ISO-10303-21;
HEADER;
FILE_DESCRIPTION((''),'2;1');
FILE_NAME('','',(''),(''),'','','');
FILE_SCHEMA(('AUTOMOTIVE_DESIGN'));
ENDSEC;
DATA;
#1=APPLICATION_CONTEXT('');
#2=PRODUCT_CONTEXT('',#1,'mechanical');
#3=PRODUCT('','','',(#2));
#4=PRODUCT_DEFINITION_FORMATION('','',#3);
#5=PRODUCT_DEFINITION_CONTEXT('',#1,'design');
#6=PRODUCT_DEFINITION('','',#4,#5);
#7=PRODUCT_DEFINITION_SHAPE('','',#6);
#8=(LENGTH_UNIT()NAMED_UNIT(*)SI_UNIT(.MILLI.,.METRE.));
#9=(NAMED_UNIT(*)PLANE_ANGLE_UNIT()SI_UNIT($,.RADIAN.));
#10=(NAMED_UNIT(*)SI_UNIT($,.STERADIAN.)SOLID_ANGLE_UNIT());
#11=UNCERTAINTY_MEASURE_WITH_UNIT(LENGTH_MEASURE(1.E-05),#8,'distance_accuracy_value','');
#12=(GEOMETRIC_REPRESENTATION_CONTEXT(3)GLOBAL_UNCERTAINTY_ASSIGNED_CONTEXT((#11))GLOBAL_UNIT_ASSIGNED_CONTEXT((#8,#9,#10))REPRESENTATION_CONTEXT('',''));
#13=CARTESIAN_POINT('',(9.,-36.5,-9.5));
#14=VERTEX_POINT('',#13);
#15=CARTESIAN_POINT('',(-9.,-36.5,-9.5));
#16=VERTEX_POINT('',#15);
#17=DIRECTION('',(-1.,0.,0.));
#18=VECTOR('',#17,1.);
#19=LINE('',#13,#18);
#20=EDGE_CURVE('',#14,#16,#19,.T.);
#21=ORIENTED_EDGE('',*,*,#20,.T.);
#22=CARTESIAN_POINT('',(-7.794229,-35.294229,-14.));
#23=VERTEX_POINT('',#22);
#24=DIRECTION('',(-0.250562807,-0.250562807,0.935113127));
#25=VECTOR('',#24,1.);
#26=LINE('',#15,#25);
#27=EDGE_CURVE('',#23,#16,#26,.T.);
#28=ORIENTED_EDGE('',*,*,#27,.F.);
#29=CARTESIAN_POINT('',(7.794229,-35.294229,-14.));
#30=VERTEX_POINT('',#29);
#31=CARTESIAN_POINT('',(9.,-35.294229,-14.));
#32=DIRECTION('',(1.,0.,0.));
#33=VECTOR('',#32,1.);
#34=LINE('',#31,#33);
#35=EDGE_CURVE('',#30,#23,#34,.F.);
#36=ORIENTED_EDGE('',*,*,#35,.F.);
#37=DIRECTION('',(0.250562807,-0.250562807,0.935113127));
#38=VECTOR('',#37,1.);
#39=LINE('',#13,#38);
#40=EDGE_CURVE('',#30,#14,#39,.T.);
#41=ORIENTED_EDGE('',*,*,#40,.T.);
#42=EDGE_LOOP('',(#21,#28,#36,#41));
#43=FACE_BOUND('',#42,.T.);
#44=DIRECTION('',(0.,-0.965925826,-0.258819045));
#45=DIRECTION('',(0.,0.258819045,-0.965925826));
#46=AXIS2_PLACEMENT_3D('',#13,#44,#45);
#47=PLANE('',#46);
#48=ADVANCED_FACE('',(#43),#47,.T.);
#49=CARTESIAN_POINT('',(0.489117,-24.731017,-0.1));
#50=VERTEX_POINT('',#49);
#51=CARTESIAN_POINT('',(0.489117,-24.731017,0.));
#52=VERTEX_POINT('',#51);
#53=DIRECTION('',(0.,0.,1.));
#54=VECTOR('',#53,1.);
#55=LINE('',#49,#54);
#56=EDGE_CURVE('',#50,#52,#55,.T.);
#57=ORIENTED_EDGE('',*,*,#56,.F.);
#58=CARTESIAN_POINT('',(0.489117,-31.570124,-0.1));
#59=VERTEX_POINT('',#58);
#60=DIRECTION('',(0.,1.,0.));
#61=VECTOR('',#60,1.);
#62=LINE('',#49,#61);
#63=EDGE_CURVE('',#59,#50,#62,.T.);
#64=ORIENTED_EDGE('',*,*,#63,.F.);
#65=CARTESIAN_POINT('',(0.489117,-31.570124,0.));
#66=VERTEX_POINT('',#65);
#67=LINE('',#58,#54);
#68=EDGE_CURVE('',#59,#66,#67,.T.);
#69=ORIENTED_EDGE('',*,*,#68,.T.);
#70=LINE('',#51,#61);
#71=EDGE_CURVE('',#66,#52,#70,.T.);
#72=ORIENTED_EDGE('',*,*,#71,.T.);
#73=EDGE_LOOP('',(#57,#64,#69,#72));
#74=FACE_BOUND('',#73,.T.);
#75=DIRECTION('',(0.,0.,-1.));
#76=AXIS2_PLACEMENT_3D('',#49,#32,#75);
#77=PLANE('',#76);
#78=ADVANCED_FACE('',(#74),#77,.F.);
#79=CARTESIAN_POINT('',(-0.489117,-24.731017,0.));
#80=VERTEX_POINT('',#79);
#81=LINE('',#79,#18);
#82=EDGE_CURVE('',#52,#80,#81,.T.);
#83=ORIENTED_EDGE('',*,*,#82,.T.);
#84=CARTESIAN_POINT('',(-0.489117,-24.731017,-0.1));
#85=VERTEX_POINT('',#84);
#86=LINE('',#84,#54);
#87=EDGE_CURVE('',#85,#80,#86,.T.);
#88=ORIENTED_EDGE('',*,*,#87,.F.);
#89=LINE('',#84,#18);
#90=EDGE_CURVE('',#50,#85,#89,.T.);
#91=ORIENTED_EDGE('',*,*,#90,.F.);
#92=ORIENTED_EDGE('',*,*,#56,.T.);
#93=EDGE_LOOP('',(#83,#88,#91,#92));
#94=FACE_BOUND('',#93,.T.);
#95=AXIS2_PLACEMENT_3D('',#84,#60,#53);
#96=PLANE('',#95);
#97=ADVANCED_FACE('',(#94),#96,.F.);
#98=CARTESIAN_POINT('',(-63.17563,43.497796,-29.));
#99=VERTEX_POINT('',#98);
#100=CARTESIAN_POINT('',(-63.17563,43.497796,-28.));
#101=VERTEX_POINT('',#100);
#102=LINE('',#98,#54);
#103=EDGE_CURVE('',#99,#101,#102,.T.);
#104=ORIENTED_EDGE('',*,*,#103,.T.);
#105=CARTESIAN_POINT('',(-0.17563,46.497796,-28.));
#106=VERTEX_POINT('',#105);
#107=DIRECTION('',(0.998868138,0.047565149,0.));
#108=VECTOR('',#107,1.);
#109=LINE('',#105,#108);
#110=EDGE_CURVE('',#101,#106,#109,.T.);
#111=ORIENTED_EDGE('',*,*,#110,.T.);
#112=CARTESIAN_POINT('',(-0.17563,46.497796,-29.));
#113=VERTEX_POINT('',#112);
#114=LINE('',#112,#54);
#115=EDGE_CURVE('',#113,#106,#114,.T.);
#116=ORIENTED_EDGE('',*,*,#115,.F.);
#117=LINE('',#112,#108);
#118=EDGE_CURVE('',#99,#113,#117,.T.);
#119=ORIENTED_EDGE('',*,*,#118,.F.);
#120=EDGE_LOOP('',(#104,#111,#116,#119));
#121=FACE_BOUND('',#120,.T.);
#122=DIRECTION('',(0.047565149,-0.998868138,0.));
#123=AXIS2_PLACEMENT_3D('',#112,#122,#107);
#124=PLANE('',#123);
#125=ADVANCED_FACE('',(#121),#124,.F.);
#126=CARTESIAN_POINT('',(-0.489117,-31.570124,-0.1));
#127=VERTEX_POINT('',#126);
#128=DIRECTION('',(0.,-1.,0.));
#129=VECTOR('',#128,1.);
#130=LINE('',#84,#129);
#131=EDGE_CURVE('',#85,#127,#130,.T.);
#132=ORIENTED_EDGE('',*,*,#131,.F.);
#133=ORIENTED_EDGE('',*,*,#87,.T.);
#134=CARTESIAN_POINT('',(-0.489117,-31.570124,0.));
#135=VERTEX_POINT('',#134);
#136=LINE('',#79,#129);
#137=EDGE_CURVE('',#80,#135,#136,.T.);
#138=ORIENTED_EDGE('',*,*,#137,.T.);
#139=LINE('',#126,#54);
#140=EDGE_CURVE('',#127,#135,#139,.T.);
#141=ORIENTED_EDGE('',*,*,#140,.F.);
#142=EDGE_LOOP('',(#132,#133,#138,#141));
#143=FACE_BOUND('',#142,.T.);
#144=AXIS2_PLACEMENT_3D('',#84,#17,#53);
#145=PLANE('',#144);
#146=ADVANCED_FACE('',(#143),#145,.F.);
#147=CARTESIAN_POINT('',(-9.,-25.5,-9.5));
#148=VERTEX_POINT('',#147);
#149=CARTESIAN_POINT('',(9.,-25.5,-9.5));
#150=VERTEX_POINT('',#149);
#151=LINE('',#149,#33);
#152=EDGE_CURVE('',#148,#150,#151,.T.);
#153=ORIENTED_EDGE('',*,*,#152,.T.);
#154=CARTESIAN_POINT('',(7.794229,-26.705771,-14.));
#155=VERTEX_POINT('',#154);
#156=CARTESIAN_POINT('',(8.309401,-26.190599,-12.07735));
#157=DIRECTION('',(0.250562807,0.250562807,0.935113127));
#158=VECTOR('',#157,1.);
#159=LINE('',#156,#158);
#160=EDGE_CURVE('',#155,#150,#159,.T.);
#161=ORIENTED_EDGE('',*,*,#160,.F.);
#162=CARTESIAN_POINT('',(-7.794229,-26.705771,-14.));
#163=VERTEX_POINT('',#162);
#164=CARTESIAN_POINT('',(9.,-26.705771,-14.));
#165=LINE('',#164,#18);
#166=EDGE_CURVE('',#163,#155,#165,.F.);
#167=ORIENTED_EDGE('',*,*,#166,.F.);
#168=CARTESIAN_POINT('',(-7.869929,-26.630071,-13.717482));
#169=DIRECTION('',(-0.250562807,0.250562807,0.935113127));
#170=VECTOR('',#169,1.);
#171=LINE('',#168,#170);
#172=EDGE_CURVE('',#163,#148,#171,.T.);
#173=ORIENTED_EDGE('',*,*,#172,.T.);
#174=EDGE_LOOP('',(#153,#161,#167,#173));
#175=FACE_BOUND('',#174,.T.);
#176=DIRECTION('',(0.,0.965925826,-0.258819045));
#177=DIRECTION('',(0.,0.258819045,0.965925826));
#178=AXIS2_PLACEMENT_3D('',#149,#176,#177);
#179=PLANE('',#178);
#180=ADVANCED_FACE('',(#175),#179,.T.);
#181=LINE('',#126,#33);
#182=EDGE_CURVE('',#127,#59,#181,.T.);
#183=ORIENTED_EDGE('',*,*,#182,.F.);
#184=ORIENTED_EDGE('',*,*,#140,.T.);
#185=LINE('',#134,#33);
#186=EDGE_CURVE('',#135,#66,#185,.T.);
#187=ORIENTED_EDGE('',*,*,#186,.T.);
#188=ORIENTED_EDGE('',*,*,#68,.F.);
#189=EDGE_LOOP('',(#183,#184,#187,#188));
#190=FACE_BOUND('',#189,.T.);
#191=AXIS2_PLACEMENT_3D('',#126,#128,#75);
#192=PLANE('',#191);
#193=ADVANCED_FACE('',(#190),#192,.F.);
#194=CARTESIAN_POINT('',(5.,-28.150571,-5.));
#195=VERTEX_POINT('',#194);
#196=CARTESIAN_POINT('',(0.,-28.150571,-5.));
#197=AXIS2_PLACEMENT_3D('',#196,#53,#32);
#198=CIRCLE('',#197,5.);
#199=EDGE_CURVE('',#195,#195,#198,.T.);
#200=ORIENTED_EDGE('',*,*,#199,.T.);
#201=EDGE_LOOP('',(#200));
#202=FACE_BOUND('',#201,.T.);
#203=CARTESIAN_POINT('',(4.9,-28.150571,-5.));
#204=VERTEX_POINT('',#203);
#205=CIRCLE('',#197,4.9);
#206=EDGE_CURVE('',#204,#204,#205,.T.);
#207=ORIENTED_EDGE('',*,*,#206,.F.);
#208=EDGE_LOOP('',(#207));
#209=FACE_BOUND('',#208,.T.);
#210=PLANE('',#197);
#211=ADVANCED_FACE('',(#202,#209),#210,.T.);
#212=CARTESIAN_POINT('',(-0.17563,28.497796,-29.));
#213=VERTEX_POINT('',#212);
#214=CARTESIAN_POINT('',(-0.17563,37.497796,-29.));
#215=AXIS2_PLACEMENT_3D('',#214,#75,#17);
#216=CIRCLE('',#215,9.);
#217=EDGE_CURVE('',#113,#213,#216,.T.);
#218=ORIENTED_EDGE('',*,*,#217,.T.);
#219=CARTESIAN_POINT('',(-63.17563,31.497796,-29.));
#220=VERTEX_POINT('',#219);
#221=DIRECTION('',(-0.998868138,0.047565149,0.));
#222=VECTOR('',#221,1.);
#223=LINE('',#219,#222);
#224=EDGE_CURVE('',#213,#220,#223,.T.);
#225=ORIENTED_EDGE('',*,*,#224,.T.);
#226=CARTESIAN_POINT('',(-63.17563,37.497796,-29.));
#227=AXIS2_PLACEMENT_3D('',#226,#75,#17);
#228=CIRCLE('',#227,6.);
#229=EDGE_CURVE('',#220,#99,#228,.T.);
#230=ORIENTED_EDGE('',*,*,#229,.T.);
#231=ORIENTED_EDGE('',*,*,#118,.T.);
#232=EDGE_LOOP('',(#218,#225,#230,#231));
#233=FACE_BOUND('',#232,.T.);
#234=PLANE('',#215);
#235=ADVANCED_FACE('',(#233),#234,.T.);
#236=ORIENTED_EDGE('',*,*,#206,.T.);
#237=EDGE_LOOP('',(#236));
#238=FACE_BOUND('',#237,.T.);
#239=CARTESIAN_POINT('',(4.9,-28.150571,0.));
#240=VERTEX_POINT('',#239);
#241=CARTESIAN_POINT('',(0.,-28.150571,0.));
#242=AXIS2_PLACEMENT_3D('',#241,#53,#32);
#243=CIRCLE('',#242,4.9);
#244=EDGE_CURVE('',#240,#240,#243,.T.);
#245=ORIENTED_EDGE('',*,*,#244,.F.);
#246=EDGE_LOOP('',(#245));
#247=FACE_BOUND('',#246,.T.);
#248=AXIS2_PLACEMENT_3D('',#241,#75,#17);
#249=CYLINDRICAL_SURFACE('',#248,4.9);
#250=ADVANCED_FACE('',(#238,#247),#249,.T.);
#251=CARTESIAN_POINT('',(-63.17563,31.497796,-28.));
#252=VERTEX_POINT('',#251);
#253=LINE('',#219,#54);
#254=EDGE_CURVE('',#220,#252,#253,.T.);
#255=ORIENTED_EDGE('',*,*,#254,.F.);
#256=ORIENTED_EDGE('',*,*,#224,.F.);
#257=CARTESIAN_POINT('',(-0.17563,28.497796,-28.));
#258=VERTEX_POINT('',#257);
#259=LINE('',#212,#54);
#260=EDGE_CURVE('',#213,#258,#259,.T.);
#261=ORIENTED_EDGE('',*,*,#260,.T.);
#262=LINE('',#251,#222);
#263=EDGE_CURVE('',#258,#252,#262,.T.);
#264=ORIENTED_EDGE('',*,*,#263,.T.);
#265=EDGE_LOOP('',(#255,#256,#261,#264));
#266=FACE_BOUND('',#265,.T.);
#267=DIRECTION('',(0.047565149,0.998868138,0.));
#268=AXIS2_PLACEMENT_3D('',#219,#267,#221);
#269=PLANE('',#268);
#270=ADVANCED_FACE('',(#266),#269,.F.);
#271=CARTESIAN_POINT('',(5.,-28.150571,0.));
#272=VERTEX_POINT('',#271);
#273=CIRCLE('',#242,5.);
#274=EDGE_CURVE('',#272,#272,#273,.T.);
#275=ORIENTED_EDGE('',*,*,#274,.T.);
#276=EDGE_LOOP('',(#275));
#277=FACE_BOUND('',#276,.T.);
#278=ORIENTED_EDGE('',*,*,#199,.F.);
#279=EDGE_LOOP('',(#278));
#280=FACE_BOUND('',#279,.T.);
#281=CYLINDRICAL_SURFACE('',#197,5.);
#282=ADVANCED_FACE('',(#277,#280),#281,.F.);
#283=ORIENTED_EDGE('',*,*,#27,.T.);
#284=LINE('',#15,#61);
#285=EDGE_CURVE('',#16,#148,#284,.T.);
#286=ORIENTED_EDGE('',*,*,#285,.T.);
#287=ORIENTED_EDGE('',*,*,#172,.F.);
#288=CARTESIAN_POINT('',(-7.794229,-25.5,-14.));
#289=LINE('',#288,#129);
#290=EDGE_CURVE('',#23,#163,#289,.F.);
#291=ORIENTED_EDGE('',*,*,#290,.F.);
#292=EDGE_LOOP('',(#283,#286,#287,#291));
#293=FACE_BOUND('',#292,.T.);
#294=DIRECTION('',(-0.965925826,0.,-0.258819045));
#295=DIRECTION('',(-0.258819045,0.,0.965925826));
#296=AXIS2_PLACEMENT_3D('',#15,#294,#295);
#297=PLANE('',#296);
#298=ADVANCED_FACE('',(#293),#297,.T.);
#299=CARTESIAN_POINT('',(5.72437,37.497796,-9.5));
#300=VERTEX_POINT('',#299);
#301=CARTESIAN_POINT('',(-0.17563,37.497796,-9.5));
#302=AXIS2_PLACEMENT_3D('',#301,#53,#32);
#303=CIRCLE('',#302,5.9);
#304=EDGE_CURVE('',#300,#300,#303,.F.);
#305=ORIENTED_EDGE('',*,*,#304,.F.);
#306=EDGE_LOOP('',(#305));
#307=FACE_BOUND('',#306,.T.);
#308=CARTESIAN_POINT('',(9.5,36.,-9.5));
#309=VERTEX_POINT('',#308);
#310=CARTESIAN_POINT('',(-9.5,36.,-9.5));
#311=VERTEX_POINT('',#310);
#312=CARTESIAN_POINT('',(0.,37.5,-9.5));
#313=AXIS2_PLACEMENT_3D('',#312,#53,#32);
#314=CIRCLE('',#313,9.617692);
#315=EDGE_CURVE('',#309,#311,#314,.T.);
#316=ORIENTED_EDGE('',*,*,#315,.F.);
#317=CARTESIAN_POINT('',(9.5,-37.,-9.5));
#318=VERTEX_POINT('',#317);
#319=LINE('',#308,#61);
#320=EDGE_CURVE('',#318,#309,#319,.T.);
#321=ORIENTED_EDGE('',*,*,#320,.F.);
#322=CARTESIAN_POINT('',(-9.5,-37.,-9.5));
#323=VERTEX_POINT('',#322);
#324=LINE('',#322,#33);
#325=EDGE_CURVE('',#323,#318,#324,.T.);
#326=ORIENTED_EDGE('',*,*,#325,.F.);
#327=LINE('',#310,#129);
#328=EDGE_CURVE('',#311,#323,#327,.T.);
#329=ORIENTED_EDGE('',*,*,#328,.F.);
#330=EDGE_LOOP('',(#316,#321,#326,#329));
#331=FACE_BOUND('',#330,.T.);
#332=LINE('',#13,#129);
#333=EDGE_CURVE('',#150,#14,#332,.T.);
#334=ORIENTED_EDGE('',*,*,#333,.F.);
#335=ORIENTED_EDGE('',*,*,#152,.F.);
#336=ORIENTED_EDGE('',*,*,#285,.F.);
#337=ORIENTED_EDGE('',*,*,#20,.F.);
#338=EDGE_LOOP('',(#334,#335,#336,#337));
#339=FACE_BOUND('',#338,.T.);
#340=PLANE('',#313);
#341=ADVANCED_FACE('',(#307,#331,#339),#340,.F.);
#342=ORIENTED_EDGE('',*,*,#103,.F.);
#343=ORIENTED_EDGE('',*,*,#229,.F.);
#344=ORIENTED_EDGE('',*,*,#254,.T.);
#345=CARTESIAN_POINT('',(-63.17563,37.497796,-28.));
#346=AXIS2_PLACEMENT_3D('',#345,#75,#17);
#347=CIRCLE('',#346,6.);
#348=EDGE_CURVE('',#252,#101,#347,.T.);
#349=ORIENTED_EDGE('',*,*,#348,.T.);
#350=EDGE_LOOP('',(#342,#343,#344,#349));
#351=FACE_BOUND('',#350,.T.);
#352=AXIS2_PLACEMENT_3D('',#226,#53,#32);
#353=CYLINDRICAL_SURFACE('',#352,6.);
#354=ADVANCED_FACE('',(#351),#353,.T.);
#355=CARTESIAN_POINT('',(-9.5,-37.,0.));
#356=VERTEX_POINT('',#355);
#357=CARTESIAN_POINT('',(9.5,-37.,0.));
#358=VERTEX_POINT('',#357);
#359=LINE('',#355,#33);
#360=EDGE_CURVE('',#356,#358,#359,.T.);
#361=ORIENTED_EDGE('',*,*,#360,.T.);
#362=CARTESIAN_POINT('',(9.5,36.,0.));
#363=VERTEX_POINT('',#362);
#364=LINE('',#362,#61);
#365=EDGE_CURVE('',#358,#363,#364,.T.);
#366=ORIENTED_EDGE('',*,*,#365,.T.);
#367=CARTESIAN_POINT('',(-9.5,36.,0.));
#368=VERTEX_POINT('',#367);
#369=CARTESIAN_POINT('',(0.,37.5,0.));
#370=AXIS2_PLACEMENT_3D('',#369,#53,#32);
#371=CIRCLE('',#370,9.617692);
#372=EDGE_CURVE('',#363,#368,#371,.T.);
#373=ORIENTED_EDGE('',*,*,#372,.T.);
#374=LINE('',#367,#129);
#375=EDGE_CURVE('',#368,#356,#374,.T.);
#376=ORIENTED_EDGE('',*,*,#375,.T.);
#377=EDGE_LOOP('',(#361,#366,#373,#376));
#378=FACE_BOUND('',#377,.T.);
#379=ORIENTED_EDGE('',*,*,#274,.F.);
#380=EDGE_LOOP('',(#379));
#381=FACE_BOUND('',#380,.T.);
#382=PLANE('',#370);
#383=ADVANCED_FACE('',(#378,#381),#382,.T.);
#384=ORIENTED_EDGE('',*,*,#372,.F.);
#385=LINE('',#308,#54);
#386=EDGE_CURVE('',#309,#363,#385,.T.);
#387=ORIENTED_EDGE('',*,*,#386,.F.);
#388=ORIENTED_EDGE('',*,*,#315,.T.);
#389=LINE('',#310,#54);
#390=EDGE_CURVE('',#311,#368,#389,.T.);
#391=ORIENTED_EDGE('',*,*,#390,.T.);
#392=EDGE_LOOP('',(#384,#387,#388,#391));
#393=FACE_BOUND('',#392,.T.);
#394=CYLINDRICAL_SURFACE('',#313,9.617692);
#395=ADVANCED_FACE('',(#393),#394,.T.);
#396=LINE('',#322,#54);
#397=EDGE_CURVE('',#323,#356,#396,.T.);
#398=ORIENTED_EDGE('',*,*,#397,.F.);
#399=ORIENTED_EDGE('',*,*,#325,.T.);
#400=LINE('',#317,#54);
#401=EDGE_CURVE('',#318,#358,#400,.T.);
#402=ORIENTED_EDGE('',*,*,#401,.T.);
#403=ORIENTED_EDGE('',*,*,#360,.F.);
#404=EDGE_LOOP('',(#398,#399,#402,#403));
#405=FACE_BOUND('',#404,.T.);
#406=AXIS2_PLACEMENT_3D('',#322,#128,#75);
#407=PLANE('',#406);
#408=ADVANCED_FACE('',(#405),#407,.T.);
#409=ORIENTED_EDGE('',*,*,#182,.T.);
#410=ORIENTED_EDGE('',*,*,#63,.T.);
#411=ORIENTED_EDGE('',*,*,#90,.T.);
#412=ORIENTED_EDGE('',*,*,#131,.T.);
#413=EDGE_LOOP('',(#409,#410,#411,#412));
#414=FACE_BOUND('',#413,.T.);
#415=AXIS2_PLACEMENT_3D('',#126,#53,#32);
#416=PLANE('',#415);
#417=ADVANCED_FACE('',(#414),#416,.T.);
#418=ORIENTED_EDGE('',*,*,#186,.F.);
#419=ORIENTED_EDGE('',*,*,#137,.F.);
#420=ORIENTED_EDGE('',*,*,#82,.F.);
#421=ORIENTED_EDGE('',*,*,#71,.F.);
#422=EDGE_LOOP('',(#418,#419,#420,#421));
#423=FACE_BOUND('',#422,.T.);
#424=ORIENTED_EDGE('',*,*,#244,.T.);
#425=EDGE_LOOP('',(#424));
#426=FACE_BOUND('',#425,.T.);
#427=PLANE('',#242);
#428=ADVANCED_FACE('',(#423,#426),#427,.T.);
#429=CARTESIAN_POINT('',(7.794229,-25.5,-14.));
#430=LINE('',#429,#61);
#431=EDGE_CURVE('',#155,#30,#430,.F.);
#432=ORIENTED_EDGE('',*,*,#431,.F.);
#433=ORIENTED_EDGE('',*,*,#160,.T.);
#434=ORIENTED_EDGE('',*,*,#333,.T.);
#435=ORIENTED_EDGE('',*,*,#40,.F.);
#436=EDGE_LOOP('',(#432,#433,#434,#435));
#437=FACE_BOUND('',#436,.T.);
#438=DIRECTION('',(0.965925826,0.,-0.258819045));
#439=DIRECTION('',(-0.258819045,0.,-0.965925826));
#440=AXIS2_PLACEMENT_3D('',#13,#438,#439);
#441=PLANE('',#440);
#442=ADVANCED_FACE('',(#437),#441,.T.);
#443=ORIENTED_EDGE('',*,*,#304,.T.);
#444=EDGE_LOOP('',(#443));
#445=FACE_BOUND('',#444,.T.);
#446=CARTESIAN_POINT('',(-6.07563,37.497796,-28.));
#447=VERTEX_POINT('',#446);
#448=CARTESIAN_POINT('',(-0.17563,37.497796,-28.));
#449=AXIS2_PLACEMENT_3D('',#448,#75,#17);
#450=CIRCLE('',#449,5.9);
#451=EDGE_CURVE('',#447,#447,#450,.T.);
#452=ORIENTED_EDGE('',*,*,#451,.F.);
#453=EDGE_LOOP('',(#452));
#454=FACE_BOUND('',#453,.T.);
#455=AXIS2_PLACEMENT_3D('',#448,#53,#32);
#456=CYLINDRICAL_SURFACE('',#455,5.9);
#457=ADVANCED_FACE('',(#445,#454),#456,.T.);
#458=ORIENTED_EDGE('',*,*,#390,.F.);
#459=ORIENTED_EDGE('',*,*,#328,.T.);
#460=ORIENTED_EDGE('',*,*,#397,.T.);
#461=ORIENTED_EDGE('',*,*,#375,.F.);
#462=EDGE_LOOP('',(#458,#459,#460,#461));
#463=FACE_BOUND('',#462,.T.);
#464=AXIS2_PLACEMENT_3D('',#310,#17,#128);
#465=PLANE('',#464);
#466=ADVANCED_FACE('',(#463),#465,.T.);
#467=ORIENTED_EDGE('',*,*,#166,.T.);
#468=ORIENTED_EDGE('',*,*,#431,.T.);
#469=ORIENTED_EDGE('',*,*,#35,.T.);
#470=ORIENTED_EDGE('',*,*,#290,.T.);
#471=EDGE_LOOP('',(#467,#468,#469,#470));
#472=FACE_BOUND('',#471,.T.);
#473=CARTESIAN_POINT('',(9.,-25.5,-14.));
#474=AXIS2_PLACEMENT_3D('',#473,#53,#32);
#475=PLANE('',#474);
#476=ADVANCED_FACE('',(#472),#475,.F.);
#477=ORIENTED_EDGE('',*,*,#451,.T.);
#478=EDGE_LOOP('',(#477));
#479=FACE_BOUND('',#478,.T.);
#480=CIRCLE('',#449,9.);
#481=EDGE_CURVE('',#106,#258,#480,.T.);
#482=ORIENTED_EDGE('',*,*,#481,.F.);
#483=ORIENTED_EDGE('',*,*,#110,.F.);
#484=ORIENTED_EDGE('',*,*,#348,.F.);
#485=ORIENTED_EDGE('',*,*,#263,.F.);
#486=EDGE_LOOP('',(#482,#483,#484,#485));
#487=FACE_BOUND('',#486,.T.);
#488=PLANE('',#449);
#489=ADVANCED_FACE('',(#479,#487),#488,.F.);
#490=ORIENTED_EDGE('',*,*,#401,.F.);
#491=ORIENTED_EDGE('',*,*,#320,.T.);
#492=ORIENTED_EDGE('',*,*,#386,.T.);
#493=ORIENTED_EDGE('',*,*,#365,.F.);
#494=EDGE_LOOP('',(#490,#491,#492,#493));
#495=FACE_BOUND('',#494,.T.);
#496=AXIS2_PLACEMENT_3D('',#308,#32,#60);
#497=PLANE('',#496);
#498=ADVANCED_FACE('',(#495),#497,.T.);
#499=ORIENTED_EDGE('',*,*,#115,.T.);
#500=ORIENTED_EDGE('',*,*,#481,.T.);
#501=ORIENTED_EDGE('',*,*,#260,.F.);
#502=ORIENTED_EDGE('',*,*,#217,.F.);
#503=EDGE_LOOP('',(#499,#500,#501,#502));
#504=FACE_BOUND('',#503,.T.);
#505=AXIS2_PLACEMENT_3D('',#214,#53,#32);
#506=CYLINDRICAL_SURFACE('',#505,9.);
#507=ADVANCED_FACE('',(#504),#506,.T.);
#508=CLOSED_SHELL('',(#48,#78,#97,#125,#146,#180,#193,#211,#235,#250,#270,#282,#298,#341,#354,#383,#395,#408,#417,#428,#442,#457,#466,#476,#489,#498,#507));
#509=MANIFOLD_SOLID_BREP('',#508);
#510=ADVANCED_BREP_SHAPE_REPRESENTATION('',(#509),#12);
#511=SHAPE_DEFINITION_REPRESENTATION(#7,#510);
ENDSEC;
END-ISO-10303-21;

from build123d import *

# Parameters (mm, degrees)
EXTRUDE_1_DEPTH     = 9.5
SKETCH_2_W          = 18
SKETCH_2_H          = 11
EXTRUDE_2_DEPTH     = 4.5
EXTRUDE_2_TAPER     = 15
SKETCH_3_R          = 5
CUT_EXTRUDE_1_DEPTH = 5
SKETCH_4_R          = 4.9
EXTRUDE_3_DEPTH     = 5
SKETCH_5_W          = 0.978234864
SKETCH_5_H          = 6.839106706
CUT_EXTRUDE_2_DEPTH = 0.1
SKETCH_7_R          = 5.9
EXTRUDE_4_DEPTH     = 18.5
EXTRUDE_5_DEPTH     = 1


with BuildPart() as part:
    # 草圖1 → 伸長1 (new body)
    with BuildSketch(Plane.XY):
        with BuildLine():
            Line((-9.5, 36), (-9.5, -37))
            Line((-9.5, -37), (9.5, -37))
            Line((9.5, -37), (9.5, 36))
            ThreePointArc((9.5, 36), (0, 47.117692031), (-9.5, 36))
        make_face()
    extrude(amount=-EXTRUDE_1_DEPTH)

    # 草圖2 → 伸長2 (add)
    with BuildSketch(Plane(origin=(0, 0, -9.5), x_dir=(-1, 0, 0), z_dir=(0, 0, -1))):
        with Locations((0, -31)):
            Rectangle(SKETCH_2_W, SKETCH_2_H)
    extrude(amount=EXTRUDE_2_DEPTH, taper=EXTRUDE_2_TAPER)

    # 草圖3 → 除料-伸長1 (cut)
    with BuildSketch(Plane.XY):
        with Locations((0, -28.150570544)):
            Circle(SKETCH_3_R)
    extrude(amount=-CUT_EXTRUDE_1_DEPTH, mode=Mode.SUBTRACT)

    # 草圖4 → 伸長3 (add)
    with BuildSketch(Plane.XY.offset(-5)):
        with Locations((0, -28.150570544)):
            Circle(SKETCH_4_R)
    extrude(amount=EXTRUDE_3_DEPTH)

    # 草圖5 → 除料-伸長2 (cut)
    with BuildSketch(Plane.XY):
        with Locations((0, -28.150570544)):
            Rectangle(SKETCH_5_W, SKETCH_5_H)
    extrude(amount=-CUT_EXTRUDE_2_DEPTH, mode=Mode.SUBTRACT)

    # 草圖7 → 伸長4 (add)
    with BuildSketch(Plane(origin=(0, 0, -9.5), x_dir=(-1, 0, 0), z_dir=(0, 0, -1))):
        with Locations(Location((0.17562961, 37.497796385, 0), (0, 0, 180))):
            Circle(SKETCH_7_R)
    extrude(amount=EXTRUDE_4_DEPTH)

    # 草圖8 → 伸長5 (add)
    with BuildSketch(Plane(origin=(0, 0, -28), x_dir=(-1, 0, 0), z_dir=(0, 0, -1))):
        with BuildLine():
            Line((0.17562961, 46.497796385), (63.17562961, 43.497796385))
            ThreePointArc((63.17562961, 43.497796385), (69.17562961, 37.497796385), (63.17562961, 31.497796385))
            Line((63.17562961, 31.497796385), (0.17562961, 28.497796385))
            ThreePointArc((0.17562961, 28.497796385), (-8.82437039, 37.497796385), (0.17562961, 46.497796385))
        make_face()
    extrude(amount=EXTRUDE_5_DEPTH)


solid = part.part
